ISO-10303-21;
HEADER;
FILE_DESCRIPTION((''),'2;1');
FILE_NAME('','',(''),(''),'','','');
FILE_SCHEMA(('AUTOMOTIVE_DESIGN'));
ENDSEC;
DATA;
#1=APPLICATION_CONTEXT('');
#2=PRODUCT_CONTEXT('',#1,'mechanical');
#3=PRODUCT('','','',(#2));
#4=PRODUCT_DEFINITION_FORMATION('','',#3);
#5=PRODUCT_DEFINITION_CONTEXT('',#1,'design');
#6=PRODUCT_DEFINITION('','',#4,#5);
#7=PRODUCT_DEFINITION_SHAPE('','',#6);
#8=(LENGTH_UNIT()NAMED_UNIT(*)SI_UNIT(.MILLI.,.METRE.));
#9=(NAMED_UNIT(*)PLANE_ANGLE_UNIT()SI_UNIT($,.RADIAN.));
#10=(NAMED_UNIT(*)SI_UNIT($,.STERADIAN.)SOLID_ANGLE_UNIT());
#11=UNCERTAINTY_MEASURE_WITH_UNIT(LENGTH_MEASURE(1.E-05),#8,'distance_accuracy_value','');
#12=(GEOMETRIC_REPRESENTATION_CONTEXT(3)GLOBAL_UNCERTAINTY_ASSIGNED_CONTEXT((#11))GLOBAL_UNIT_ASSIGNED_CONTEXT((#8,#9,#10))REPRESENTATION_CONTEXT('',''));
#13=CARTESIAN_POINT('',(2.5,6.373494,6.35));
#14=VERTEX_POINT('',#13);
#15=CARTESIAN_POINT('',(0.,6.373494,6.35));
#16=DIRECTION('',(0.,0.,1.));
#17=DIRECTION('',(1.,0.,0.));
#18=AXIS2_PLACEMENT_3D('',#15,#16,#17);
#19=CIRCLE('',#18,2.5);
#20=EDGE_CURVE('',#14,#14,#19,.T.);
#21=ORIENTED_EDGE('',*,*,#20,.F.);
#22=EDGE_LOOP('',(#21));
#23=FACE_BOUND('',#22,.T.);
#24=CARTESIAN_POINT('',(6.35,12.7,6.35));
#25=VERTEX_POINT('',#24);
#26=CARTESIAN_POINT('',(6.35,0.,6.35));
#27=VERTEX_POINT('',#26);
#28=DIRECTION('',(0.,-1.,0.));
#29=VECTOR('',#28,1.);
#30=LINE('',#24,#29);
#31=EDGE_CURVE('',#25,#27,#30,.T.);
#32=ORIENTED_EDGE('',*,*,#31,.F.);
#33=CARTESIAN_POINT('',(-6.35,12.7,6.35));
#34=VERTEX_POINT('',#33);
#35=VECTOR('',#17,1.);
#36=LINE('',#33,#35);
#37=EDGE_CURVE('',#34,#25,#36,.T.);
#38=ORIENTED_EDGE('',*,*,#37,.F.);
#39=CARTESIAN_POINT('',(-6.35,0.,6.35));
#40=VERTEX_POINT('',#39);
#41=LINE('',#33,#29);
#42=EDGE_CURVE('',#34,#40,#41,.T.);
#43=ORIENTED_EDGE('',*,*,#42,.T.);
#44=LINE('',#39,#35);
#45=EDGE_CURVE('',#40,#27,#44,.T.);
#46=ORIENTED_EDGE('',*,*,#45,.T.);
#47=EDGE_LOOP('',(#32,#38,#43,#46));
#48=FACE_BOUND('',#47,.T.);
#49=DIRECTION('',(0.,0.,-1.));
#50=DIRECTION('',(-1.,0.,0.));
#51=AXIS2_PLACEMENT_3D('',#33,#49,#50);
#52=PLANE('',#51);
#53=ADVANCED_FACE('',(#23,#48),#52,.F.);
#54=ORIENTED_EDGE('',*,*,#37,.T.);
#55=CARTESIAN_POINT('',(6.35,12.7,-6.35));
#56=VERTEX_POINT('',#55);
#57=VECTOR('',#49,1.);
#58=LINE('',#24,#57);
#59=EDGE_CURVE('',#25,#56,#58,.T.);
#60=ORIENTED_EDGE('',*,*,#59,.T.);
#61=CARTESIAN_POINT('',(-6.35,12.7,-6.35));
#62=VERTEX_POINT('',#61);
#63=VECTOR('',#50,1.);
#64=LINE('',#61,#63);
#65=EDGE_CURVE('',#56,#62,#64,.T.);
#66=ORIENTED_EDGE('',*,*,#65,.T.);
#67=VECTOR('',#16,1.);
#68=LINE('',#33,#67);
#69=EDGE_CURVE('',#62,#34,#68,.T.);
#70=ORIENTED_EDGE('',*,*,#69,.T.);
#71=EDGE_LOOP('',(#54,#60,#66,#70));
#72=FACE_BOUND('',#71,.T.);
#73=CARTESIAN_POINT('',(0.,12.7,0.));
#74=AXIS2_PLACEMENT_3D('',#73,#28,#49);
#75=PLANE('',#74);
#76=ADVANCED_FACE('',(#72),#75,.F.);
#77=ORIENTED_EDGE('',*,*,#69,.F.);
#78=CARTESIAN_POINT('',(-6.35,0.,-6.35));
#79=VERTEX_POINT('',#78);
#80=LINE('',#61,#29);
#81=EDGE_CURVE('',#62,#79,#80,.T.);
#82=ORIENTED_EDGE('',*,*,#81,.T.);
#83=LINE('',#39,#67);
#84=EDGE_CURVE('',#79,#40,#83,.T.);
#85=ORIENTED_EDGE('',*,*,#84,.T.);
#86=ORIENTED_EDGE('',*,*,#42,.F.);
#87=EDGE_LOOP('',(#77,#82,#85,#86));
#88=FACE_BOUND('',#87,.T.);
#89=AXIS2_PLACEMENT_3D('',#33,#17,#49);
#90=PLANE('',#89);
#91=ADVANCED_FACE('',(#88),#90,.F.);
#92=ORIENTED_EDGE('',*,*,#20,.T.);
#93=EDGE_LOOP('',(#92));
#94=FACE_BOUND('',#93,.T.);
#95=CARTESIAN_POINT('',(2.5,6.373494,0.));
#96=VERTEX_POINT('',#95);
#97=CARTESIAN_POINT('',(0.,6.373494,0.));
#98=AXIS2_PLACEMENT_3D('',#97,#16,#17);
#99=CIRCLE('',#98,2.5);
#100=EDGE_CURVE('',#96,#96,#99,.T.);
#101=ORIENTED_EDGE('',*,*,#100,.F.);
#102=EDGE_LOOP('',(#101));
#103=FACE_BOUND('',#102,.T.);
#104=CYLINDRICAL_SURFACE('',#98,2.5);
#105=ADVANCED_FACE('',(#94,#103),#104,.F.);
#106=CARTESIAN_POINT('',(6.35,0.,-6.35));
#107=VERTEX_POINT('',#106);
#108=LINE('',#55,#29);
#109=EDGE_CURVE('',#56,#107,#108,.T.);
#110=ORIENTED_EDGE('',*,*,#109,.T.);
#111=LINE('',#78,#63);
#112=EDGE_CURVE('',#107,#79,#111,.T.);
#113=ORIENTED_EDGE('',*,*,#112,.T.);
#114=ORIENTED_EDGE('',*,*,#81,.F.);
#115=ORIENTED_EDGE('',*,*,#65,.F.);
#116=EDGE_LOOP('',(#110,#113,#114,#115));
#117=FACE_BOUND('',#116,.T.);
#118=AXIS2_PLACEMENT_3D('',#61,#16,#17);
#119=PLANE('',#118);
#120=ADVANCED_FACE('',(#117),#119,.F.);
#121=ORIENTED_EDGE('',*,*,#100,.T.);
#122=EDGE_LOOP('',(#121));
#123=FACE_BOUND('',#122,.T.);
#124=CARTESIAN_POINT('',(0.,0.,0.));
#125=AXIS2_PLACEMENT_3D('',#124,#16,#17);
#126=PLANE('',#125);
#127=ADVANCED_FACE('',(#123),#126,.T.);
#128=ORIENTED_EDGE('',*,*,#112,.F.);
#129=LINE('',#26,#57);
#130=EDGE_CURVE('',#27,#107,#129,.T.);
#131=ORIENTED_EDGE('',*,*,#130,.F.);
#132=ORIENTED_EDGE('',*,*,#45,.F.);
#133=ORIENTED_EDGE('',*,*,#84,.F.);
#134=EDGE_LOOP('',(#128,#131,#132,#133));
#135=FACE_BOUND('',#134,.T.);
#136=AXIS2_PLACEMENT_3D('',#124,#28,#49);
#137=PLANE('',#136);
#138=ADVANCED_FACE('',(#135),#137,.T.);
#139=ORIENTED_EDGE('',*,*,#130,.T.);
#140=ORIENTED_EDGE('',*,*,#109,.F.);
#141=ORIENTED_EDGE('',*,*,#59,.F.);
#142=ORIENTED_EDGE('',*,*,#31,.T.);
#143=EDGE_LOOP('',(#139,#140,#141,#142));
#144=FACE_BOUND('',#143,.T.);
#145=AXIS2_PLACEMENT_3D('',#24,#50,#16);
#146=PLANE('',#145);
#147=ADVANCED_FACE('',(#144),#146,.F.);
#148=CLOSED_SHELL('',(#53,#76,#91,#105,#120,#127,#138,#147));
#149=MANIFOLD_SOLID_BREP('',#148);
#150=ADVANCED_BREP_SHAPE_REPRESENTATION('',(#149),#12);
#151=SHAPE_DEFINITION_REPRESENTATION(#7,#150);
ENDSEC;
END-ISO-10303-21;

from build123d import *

# Parameters (mm, degrees)
SKETCH2_W           = 12.7
SKETCH2_H           = 12.7
BOSS_EXTRUDE1_DEPTH = 12.7
SKETCH3_R           = 2.5
CUT_EXTRUDE1_DEPTH  = 6.35


with BuildPart() as part:
    # Sketch2 → Boss-Extrude1 (new body)
    with BuildSketch(Plane(origin=(0, 0, 0), x_dir=(1, 0, 0), z_dir=(0, 1, 0))):
        Rectangle(SKETCH2_W, SKETCH2_H)
    extrude(amount=BOSS_EXTRUDE1_DEPTH)

    # Sketch3 → Cut-Extrude1 (cut)
    with BuildSketch(Plane.XY.offset(6.35)):
        with Locations((0, 6.373493799)):
            Circle(SKETCH3_R)
    extrude(amount=-CUT_EXTRUDE1_DEPTH, mode=Mode.SUBTRACT)


solid = part.part
